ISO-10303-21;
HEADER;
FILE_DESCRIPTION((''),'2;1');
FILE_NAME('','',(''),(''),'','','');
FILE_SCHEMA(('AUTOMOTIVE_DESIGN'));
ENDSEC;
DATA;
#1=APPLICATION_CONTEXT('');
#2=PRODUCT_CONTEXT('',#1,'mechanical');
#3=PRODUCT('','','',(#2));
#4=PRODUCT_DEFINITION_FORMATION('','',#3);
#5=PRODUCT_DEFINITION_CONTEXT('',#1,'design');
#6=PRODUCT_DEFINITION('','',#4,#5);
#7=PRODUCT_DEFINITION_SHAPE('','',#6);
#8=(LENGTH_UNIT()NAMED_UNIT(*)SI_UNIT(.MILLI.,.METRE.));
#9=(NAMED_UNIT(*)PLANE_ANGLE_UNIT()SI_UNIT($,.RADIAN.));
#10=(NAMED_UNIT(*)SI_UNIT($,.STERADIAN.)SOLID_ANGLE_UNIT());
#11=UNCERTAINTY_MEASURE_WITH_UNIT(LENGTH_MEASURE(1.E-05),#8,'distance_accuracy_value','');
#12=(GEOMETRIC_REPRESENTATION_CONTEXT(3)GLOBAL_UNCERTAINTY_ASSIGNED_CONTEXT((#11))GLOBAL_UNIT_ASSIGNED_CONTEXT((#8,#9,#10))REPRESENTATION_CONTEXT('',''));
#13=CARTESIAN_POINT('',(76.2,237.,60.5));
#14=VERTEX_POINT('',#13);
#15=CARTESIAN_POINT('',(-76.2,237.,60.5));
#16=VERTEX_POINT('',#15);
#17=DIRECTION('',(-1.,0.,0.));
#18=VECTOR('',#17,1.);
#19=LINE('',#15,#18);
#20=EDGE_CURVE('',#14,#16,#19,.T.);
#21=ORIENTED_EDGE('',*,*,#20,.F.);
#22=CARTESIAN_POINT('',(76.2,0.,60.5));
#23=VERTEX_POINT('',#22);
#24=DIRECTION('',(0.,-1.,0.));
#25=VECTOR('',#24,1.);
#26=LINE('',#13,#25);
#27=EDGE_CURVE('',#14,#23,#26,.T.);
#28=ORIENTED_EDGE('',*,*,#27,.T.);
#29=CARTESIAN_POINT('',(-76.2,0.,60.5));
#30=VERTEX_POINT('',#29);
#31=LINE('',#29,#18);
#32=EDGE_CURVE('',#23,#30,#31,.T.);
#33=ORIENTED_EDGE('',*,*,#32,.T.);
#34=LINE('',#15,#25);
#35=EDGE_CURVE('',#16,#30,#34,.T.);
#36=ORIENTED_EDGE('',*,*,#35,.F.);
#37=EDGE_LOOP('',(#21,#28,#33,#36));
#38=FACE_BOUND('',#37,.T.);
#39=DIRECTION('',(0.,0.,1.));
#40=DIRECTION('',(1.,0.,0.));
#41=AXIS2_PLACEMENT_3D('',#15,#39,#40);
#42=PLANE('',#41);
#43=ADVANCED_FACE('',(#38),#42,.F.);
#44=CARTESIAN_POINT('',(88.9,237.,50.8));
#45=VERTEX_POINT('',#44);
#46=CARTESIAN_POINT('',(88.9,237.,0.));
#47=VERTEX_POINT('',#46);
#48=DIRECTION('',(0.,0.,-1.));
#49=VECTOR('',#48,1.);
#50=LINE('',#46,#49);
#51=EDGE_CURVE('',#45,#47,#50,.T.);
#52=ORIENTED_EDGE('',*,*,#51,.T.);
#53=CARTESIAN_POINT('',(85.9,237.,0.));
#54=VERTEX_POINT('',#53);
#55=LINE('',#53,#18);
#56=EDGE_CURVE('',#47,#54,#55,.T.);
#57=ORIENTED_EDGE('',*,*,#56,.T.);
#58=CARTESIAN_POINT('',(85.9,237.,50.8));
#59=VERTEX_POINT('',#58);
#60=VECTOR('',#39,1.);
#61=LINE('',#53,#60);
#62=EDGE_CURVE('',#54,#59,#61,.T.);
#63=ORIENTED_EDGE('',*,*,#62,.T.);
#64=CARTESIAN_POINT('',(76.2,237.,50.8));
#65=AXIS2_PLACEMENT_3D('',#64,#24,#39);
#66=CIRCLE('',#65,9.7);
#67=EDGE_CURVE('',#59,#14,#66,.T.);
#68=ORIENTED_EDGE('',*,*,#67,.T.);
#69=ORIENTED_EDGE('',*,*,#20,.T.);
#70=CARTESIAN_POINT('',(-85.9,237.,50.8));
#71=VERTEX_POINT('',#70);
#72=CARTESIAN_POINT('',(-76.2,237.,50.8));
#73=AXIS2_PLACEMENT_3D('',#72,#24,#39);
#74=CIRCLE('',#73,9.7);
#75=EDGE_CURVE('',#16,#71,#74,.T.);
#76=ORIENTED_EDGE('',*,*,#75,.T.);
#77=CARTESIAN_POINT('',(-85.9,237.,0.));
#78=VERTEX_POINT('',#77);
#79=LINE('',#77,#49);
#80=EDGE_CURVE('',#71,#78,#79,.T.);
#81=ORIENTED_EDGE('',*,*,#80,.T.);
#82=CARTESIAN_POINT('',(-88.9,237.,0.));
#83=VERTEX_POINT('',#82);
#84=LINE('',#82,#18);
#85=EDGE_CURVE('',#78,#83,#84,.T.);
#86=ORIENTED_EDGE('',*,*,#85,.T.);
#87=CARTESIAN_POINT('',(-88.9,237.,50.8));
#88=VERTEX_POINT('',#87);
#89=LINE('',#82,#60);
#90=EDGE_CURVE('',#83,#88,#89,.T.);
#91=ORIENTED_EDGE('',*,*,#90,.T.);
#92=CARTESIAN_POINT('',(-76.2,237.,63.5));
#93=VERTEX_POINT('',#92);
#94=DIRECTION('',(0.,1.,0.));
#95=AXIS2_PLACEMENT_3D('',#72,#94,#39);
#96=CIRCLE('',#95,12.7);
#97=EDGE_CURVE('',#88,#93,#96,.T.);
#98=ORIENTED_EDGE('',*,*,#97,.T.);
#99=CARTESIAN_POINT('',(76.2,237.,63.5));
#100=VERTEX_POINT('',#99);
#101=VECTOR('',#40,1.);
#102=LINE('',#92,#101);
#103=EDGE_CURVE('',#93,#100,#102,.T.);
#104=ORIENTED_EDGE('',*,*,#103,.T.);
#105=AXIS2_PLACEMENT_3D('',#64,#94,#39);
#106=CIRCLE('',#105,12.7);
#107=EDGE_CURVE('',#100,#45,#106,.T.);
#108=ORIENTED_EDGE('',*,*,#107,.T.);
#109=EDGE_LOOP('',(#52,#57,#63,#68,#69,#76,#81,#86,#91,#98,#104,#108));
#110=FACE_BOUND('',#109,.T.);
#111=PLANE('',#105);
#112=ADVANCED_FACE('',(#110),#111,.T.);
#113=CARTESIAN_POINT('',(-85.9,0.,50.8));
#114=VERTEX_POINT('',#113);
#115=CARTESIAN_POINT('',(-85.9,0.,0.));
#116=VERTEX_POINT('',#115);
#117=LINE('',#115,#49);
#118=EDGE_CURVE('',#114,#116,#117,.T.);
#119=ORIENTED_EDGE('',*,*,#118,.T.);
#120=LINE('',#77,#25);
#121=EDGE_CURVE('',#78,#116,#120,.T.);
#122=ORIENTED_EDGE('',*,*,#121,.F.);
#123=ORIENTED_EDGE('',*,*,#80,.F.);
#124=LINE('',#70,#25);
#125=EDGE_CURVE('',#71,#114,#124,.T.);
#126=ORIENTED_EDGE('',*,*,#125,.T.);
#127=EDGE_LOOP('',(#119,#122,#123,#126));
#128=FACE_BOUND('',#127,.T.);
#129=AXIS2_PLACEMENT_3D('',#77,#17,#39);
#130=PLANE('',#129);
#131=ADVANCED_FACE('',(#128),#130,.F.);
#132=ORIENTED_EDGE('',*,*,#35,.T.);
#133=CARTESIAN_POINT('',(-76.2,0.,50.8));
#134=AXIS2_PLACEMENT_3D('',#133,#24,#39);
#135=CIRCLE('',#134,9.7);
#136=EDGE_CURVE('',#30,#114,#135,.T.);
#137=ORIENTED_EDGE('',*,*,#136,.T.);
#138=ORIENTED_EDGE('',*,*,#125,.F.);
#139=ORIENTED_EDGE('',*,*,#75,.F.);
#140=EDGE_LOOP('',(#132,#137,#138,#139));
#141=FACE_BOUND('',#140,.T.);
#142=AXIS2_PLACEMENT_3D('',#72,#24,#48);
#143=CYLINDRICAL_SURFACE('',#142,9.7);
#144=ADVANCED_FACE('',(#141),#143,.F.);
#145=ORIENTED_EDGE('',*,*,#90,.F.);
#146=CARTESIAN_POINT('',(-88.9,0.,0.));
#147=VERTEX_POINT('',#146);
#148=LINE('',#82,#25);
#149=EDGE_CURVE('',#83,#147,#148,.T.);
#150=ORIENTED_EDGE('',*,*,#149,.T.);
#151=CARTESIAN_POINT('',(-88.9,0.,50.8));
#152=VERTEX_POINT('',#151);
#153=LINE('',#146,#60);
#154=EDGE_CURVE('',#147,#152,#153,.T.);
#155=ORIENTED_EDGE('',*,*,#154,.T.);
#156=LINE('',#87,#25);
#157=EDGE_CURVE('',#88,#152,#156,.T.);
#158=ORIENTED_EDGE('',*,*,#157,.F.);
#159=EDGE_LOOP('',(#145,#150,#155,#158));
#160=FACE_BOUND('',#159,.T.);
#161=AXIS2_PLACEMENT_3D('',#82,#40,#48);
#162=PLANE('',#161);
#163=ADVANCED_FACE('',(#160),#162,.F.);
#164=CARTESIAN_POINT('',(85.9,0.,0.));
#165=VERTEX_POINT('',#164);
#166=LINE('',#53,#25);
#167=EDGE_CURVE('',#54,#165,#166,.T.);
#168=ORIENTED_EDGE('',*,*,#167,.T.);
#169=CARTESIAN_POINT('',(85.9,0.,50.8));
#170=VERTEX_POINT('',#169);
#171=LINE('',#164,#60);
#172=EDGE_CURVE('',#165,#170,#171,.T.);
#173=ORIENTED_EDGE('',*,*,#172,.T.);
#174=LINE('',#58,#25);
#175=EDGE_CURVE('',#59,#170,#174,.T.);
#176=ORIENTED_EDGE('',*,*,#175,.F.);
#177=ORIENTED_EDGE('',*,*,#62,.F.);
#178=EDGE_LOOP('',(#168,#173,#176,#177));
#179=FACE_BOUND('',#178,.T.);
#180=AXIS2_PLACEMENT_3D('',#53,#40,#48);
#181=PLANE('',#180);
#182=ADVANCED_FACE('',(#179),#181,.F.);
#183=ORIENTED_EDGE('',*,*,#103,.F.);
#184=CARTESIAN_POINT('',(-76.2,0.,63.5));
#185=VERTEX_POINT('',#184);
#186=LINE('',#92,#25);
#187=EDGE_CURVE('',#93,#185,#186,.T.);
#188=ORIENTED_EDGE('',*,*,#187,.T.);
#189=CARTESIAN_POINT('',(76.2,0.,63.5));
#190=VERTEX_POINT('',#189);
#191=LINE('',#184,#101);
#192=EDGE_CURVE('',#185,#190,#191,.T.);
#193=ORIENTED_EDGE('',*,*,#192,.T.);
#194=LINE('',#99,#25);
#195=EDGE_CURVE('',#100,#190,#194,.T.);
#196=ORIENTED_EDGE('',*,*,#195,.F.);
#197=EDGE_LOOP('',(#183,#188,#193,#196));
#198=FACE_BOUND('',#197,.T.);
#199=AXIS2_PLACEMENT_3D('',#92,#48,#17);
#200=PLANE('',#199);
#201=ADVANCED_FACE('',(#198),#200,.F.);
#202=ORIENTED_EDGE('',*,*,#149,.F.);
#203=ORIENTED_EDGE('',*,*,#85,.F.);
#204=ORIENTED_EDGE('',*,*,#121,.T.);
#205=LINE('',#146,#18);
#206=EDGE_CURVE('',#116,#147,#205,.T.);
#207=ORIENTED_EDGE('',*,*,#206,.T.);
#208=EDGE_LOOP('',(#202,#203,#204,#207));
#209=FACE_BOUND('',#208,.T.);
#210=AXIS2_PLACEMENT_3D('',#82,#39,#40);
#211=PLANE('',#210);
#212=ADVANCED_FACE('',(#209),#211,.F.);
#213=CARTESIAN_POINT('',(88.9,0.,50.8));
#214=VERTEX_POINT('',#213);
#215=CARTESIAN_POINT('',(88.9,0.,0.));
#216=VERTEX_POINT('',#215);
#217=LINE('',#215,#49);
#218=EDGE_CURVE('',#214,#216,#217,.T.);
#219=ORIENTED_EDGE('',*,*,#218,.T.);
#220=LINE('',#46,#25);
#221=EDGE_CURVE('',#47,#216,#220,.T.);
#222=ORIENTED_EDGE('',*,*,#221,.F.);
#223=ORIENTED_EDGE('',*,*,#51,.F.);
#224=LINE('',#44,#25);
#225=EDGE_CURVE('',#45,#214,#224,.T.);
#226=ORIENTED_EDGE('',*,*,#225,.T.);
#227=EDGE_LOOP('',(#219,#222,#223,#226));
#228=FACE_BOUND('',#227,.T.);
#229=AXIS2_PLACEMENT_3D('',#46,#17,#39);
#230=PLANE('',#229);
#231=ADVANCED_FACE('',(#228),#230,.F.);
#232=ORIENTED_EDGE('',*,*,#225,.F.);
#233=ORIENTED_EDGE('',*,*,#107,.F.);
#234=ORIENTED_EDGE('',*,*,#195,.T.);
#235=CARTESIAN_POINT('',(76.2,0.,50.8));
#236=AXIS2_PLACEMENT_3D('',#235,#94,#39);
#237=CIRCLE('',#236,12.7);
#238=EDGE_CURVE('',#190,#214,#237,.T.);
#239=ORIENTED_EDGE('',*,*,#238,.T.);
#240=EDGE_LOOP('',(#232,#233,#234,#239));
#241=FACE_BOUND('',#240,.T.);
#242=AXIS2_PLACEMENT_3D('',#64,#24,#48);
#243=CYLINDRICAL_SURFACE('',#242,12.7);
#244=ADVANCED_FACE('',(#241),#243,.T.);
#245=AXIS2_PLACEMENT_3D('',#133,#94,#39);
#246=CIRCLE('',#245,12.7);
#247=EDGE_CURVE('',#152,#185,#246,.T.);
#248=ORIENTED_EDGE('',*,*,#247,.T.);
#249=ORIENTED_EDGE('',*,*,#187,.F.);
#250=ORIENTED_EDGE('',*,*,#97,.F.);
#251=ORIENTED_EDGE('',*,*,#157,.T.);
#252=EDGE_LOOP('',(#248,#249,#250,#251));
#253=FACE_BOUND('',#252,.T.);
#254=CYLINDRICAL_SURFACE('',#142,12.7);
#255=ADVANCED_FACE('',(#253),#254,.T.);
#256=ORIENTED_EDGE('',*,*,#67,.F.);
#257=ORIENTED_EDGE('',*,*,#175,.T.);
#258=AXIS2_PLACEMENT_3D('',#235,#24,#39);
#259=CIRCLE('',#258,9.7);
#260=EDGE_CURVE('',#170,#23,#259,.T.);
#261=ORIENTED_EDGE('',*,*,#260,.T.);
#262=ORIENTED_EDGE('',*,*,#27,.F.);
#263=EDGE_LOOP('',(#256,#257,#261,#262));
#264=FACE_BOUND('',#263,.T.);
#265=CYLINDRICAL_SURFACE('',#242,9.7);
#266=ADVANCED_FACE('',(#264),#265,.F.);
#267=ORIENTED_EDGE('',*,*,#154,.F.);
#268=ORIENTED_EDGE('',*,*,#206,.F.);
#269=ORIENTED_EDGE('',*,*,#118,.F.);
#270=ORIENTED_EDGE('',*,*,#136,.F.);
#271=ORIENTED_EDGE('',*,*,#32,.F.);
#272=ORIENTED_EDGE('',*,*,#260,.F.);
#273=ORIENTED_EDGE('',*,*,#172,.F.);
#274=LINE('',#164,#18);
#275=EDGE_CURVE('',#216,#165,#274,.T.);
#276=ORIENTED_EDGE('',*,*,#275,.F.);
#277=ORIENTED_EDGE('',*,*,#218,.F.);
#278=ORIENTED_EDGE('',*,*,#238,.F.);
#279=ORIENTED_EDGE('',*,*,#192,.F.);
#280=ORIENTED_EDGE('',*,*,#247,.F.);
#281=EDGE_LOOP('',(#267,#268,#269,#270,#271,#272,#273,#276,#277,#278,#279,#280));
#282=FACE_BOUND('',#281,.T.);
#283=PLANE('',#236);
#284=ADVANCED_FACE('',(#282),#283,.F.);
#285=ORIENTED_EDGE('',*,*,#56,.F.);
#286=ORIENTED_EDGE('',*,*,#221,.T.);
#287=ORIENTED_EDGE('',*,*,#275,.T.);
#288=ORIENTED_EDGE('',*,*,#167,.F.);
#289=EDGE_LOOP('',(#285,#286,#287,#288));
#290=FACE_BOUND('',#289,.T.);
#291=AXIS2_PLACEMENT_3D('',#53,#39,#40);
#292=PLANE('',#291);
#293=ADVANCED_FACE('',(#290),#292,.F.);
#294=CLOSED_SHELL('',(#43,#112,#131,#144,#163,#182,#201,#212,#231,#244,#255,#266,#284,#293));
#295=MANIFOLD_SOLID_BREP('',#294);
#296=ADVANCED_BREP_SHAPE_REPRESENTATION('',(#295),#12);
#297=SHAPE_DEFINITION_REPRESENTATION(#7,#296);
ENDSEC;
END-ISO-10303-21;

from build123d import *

# Parameters (mm, degrees)
BOSS_EXTRUDE1_DEPTH = 237


with BuildPart() as part:
    # Sketch1 → Boss-Extrude1 (new body)
    with BuildSketch(Plane(origin=(0, 0, 0), x_dir=(1, 0, 0), z_dir=(0, 1, 0))):
        with BuildLine():
            Line((-88.9, 0), (-88.9, -50.8))
            ThreePointArc((-88.9, -50.8), (-85.180256121, -59.780256121), (-76.2, -63.5))
            Line((-76.2, -63.5), (76.2, -63.5))
            ThreePointArc((76.2, -63.5), (85.180256121, -59.780256121), (88.9, -50.8))
            Line((88.9, -50.8), (88.9, 0))
            Line((88.9, 0), (85.9, 0))
            Line((85.9, 0), (85.9, -50.8))
            ThreePointArc((85.9, -50.8), (83.058935778, -57.658935778), (76.2, -60.5))
            Line((76.2, -60.5), (-76.2, -60.5))
            ThreePointArc((-76.2, -60.5), (-83.058935778, -57.658935778), (-85.9, -50.8))
            Line((-85.9, -50.8), (-85.9, 0))
            Line((-85.9, 0), (-88.9, 0))
        make_face()
    extrude(amount=BOSS_EXTRUDE1_DEPTH)


solid = part.part
